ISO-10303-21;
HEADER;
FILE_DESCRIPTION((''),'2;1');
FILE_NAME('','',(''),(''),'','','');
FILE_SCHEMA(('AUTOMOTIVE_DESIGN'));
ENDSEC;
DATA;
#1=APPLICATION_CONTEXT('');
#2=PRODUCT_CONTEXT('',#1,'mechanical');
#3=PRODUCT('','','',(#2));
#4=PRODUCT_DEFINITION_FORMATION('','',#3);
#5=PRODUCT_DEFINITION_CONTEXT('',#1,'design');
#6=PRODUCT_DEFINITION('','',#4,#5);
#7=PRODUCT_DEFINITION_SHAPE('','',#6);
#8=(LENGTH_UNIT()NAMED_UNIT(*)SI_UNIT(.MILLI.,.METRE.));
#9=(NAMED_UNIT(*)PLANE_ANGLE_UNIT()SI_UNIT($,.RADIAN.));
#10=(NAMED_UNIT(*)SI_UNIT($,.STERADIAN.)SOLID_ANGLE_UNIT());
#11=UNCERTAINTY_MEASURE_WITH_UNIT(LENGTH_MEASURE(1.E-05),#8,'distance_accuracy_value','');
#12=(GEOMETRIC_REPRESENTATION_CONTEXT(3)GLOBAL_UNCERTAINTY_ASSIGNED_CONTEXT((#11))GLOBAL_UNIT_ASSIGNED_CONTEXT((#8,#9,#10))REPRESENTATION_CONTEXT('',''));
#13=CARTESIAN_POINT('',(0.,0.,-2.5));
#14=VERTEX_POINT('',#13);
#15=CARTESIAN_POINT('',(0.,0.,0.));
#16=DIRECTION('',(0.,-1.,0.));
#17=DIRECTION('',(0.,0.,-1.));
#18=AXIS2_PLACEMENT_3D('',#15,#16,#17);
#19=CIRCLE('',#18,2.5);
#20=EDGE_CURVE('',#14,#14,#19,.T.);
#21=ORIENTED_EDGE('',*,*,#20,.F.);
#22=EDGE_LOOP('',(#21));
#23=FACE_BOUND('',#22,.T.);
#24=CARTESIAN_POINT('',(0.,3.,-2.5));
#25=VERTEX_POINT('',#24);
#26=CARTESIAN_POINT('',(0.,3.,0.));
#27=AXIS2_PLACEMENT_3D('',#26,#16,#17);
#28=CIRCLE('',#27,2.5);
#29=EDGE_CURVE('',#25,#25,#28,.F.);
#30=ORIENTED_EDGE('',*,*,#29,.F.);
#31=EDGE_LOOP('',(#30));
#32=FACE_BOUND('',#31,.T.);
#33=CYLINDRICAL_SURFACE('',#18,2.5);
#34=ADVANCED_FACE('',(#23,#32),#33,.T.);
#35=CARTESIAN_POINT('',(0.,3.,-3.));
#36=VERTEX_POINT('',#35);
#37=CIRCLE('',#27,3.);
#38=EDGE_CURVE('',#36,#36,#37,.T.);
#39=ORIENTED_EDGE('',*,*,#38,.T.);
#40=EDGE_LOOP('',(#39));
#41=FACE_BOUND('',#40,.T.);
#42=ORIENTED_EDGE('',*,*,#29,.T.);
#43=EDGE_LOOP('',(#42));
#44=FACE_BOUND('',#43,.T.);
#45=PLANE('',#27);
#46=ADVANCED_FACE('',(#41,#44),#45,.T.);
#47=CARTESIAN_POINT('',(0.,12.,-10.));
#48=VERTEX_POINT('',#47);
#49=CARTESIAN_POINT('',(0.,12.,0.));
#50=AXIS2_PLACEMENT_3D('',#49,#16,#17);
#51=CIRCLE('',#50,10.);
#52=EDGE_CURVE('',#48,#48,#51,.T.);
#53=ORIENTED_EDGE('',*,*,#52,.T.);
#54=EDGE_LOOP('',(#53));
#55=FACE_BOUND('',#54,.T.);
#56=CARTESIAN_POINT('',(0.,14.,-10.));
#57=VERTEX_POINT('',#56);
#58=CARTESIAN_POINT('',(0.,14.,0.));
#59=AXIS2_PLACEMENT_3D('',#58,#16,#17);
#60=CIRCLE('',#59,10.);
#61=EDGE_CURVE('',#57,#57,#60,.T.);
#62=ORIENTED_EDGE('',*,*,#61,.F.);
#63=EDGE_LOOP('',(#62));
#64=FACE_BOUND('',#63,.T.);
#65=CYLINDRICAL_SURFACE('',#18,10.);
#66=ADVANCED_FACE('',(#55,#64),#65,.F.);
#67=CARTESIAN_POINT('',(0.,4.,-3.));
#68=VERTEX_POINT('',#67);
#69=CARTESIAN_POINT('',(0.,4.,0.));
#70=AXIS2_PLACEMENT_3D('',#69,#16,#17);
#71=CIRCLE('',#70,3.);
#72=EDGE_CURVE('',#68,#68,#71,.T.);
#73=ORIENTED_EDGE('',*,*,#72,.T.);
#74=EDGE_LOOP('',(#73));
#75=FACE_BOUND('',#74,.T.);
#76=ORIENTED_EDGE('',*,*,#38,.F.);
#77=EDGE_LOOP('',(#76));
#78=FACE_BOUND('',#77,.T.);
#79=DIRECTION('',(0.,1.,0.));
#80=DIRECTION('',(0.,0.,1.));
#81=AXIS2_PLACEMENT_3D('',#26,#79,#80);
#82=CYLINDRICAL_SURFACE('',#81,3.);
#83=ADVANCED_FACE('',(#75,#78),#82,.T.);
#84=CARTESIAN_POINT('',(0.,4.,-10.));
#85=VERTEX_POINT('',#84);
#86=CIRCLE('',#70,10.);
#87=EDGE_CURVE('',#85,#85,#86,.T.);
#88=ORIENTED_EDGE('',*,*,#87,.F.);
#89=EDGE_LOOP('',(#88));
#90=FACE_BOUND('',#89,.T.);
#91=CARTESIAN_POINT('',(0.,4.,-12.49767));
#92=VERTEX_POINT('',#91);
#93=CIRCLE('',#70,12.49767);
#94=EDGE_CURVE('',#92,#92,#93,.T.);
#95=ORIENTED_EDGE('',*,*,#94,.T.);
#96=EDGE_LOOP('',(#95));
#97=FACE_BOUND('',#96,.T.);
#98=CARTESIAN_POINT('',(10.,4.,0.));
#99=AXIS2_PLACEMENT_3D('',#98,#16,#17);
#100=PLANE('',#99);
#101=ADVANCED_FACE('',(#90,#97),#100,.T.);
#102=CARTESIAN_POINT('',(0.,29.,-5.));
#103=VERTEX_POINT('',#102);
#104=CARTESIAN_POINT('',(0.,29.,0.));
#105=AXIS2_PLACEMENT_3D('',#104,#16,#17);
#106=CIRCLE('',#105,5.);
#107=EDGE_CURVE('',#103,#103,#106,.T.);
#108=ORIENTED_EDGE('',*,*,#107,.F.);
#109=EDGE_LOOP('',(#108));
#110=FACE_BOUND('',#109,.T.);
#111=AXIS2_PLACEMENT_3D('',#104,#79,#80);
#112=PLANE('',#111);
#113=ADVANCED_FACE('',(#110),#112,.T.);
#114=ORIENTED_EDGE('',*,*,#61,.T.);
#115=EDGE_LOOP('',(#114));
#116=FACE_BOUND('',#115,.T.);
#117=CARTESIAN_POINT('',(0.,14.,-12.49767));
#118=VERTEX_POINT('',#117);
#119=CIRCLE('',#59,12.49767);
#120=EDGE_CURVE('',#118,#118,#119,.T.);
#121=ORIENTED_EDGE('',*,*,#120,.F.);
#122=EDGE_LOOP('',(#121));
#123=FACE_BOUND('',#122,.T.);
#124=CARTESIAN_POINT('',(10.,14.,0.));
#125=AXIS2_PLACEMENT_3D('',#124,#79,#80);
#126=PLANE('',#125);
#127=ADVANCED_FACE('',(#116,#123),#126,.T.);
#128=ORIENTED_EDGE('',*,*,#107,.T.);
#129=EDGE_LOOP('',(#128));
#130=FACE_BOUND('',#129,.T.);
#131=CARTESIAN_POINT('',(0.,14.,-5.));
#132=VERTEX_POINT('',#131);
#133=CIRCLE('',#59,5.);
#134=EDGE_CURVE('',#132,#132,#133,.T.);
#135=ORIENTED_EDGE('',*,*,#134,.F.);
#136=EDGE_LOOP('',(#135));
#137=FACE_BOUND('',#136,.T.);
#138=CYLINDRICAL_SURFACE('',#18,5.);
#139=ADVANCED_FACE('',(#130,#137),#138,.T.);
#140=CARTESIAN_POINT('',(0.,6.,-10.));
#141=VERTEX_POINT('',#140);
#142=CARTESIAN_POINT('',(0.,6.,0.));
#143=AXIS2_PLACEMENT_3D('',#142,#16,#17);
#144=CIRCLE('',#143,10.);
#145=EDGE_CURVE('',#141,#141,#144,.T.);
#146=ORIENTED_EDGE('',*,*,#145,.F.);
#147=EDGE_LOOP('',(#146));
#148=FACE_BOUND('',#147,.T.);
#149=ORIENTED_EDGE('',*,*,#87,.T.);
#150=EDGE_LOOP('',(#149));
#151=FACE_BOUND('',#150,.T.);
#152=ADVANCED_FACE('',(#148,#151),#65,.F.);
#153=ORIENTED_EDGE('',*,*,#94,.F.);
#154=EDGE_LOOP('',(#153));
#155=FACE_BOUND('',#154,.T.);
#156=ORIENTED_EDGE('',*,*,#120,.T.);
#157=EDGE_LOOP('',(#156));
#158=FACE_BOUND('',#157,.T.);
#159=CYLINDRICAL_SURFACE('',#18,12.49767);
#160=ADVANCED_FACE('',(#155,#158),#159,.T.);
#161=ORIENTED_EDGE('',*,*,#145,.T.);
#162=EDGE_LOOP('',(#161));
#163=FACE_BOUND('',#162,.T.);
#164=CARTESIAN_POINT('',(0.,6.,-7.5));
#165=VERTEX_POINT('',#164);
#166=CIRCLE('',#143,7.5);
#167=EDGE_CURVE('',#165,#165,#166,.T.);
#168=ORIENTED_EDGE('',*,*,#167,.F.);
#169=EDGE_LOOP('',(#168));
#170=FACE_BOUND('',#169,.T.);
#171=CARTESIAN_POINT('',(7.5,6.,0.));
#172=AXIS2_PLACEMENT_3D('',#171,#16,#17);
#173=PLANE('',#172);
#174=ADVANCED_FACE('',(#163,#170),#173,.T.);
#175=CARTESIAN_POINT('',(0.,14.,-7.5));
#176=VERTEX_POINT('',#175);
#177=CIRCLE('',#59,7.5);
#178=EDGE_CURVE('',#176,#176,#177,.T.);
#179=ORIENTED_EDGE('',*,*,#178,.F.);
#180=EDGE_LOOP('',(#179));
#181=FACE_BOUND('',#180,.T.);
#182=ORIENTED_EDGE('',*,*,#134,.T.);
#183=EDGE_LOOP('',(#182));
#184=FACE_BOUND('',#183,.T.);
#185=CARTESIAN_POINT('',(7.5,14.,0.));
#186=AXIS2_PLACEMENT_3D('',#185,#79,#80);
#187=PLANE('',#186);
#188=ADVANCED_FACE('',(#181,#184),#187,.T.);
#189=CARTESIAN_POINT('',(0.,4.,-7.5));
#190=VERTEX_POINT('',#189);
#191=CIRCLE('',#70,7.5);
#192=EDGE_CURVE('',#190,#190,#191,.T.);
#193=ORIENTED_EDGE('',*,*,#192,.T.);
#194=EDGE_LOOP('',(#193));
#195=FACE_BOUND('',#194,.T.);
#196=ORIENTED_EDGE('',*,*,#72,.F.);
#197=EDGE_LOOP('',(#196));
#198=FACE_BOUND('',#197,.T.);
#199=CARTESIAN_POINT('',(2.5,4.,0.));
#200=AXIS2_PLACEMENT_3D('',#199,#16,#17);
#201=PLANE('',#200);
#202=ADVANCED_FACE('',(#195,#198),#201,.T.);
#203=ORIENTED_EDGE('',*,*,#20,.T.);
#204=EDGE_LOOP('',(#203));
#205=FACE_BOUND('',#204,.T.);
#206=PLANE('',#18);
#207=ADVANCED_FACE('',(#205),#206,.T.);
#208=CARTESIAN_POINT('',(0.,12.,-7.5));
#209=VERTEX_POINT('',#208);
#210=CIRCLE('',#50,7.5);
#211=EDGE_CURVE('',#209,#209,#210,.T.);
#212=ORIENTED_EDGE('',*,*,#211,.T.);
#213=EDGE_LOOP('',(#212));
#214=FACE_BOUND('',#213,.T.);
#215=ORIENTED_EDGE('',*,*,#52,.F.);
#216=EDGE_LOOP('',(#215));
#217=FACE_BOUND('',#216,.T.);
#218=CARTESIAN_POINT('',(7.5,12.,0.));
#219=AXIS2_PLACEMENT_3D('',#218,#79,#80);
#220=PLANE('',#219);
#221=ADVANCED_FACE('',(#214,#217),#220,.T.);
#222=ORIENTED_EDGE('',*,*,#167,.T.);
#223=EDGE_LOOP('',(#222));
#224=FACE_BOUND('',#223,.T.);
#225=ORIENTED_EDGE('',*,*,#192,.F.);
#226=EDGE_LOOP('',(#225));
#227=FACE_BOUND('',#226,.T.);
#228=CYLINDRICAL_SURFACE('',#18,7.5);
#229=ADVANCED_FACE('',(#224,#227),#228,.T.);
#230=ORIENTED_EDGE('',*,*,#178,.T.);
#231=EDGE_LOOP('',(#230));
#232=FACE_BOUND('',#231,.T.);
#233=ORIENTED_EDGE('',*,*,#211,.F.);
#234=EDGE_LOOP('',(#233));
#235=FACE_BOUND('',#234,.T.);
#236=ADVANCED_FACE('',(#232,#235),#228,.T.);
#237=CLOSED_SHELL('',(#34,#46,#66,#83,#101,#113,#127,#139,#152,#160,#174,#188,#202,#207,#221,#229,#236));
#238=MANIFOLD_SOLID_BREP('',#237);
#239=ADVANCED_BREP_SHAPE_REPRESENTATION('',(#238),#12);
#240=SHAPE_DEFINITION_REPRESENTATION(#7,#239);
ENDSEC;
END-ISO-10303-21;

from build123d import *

# Parameters (mm, degrees)
SKETCH2_R           = 3
BOSS_EXTRUDE1_DEPTH = 1


with BuildPart() as part:
    # Sketch1 → Revolve1 (revolve)
    with BuildSketch(Plane.XY, mode=Mode.PRIVATE) as revolve1_sk:
        Polygon((0, 0), (2.5, 0), (2.5, 4), (7.5, 4), (7.5, 6), (10, 6), (10, 4), (12.497669608, 4), (12.497669608, 14), (10, 14), (10, 12), (7.5, 12), (7.5, 14), (5, 14), (5, 29), (0, 29), align=None)
    revolve(revolve1_sk.sketch.rotate(Axis((0, 0, 0), (0, 1, 0)), 90), axis=Axis((0, 0, 0), (0, 1, 0)))

    # Sketch2 → Boss-Extrude1 (add)
    with BuildSketch(Plane.XZ.offset(-4)):
        with Locations(Location((0, 0, 0), (0, 0, 270))):
            Circle(SKETCH2_R)
    extrude(amount=BOSS_EXTRUDE1_DEPTH)


solid = part.part
